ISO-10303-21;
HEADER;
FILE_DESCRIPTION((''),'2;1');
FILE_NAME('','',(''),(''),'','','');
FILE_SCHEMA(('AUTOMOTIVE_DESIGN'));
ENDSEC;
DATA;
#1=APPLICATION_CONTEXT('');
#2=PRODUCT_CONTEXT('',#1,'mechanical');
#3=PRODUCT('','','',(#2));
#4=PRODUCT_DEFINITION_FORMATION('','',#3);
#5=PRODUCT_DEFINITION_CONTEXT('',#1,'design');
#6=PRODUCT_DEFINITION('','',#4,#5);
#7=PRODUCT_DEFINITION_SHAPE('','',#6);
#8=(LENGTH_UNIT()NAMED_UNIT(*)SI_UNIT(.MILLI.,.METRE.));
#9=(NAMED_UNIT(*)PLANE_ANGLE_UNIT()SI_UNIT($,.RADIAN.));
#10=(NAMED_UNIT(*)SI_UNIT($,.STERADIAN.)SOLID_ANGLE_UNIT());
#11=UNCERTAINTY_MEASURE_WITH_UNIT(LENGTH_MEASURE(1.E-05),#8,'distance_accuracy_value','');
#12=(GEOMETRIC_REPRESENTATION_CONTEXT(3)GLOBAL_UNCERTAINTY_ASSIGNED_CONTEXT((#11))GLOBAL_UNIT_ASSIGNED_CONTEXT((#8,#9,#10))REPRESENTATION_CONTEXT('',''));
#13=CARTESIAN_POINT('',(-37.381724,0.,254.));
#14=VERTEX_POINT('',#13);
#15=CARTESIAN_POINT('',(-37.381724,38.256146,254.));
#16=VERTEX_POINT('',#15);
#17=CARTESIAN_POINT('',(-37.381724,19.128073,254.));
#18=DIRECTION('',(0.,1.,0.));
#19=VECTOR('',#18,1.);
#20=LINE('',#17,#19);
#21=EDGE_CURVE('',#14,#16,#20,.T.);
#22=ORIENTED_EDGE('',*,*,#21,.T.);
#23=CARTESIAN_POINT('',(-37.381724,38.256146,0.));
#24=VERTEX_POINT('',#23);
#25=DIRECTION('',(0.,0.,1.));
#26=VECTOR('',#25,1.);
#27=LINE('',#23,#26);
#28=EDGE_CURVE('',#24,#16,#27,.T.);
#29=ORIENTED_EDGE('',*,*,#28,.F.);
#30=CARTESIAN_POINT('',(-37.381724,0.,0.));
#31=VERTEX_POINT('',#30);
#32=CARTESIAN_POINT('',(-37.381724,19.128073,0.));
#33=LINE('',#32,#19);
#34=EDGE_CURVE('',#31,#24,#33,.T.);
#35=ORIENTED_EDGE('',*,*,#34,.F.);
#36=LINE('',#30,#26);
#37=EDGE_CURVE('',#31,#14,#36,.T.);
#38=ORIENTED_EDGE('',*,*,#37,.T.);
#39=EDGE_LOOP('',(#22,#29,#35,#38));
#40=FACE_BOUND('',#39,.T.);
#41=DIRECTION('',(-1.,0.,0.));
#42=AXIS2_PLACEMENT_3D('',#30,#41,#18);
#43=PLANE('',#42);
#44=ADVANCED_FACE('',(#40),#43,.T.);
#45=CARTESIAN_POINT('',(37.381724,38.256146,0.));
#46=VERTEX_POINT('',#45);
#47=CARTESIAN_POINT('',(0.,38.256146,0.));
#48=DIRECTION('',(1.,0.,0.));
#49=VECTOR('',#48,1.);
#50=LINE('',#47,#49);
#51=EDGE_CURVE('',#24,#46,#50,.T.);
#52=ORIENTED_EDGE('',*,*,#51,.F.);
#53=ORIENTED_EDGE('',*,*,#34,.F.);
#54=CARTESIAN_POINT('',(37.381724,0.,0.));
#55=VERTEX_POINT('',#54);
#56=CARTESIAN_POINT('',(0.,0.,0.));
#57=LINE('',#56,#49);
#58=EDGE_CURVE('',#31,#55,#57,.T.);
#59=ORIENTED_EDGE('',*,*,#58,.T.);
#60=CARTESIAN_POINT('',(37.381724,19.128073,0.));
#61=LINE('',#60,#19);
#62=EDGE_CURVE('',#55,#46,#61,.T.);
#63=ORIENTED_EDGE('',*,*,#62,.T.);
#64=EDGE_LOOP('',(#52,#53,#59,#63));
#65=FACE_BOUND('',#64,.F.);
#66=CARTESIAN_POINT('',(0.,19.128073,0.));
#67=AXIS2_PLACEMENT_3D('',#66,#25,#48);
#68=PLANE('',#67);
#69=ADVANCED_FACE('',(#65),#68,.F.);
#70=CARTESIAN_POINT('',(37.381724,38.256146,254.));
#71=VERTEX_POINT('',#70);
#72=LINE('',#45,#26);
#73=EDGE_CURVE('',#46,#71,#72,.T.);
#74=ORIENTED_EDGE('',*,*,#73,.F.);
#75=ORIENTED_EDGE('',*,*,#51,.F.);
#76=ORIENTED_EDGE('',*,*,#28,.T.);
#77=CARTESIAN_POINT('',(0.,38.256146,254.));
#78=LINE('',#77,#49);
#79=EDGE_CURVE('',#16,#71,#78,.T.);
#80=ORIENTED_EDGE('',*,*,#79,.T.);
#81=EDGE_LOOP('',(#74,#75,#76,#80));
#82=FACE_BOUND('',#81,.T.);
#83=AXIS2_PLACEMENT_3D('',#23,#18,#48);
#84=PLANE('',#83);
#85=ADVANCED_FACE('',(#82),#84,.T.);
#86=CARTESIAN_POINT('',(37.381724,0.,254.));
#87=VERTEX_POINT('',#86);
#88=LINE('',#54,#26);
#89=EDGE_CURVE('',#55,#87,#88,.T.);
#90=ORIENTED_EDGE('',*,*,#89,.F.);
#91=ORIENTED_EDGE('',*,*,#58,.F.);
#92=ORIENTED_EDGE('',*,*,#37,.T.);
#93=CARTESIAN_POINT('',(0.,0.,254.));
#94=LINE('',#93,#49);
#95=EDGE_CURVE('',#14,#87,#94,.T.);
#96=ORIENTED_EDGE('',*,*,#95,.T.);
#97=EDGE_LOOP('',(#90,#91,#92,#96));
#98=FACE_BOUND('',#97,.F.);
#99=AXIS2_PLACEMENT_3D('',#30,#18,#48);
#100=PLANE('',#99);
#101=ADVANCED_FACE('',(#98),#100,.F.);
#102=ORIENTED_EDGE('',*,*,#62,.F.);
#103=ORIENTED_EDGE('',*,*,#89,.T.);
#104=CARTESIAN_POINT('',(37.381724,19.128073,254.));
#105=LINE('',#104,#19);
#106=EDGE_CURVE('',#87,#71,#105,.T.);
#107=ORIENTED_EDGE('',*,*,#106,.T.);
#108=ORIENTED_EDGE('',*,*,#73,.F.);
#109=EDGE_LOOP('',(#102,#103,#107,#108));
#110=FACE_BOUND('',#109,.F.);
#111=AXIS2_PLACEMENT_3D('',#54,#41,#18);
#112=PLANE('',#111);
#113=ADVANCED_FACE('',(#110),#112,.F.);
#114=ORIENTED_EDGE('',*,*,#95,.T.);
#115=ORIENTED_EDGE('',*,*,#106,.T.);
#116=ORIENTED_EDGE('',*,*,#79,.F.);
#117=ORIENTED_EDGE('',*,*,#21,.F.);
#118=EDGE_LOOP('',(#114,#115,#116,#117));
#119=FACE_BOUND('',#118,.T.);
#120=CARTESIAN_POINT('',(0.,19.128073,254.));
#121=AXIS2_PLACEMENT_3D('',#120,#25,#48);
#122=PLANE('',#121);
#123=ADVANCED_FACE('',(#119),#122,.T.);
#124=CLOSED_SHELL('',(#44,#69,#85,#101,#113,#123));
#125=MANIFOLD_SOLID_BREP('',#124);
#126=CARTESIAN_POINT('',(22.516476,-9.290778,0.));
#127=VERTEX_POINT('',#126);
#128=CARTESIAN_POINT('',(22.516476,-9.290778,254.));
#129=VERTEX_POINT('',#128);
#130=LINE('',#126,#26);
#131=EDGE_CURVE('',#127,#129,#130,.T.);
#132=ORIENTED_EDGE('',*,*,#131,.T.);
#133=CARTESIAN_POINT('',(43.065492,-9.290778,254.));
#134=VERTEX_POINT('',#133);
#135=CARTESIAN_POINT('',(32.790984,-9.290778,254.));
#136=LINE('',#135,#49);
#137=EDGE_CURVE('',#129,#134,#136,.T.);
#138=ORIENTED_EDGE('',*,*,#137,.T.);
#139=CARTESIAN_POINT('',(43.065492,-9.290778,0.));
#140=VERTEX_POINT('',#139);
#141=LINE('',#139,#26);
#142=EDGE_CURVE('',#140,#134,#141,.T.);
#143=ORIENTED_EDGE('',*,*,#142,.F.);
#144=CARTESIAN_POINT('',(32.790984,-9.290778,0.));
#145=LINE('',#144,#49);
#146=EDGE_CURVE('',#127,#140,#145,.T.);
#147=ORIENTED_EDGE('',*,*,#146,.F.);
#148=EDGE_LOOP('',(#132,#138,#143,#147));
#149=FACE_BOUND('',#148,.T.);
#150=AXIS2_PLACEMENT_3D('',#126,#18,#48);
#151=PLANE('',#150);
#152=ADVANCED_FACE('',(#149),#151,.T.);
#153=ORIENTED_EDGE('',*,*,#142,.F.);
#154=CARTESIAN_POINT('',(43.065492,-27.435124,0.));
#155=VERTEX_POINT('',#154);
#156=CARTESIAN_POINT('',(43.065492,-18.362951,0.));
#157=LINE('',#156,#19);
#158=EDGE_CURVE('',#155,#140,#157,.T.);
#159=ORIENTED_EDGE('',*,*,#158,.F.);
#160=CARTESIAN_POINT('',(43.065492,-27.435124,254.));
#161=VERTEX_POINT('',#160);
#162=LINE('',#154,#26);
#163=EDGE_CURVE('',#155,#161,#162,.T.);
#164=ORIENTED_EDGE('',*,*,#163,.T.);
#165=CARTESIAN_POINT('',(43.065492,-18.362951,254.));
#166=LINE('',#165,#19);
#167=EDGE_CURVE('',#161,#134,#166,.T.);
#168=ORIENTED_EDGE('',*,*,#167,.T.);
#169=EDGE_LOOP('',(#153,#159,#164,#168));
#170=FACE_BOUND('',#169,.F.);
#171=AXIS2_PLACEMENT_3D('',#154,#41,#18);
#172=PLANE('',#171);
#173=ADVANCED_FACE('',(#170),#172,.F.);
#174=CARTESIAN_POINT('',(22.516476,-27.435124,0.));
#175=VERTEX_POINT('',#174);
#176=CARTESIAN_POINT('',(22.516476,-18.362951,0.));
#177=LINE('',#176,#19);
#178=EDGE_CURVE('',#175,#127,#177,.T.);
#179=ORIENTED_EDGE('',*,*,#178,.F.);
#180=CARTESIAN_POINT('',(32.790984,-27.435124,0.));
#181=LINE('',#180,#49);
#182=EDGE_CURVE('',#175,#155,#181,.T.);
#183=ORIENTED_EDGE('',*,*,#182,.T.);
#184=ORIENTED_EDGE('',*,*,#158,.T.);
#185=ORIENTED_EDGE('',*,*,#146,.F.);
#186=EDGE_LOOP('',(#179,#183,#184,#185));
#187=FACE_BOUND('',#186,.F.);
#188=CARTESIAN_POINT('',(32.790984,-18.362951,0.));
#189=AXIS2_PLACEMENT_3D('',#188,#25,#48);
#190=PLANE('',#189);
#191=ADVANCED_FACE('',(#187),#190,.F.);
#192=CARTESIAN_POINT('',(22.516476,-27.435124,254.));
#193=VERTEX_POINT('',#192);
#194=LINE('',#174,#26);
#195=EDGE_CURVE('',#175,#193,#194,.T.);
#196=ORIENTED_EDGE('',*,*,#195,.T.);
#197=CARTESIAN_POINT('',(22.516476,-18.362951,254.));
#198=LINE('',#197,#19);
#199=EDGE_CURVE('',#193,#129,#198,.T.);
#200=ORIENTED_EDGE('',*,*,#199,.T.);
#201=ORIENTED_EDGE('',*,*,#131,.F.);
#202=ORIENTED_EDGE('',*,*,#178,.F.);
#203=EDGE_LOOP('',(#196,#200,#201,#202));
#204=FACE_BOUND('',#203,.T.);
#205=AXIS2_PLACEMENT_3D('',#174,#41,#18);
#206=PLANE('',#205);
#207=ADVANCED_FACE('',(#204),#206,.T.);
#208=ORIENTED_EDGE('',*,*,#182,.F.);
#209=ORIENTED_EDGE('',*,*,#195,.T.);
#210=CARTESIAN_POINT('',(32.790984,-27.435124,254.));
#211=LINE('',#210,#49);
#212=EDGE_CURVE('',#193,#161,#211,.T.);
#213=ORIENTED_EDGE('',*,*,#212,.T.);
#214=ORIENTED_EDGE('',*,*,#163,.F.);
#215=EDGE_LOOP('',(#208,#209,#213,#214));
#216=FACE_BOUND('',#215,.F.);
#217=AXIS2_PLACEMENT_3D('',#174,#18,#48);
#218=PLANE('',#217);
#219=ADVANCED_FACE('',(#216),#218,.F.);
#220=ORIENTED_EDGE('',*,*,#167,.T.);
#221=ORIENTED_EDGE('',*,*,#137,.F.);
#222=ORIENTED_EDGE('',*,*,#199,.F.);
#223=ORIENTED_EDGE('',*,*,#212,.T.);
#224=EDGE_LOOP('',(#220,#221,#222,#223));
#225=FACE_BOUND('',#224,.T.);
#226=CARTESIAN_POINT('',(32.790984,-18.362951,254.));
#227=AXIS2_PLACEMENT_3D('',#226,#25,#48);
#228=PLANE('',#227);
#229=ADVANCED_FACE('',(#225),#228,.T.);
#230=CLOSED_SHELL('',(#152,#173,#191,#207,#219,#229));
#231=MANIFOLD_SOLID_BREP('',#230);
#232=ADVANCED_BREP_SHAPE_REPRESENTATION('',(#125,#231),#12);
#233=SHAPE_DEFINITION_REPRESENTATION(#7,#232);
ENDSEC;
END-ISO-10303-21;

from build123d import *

# Parameters (mm, degrees)
F0_W     = 74.763448
F0_H     = 38.256146
F0_W_2   = 20.549016
F0_H_2   = 18.144346
F1_DEPTH = 254


with BuildPart() as f1:
    # F0 (on Top) → F1 (new body)
    with BuildSketch(Plane.XY):
        with Locations((0, 19.128073)):
            Rectangle(F0_W, F0_H)
        with Locations((32.790984, -18.362951)):
            Rectangle(F0_W_2, F0_H_2)
    extrude(amount=F1_DEPTH)


solid = f1.part
